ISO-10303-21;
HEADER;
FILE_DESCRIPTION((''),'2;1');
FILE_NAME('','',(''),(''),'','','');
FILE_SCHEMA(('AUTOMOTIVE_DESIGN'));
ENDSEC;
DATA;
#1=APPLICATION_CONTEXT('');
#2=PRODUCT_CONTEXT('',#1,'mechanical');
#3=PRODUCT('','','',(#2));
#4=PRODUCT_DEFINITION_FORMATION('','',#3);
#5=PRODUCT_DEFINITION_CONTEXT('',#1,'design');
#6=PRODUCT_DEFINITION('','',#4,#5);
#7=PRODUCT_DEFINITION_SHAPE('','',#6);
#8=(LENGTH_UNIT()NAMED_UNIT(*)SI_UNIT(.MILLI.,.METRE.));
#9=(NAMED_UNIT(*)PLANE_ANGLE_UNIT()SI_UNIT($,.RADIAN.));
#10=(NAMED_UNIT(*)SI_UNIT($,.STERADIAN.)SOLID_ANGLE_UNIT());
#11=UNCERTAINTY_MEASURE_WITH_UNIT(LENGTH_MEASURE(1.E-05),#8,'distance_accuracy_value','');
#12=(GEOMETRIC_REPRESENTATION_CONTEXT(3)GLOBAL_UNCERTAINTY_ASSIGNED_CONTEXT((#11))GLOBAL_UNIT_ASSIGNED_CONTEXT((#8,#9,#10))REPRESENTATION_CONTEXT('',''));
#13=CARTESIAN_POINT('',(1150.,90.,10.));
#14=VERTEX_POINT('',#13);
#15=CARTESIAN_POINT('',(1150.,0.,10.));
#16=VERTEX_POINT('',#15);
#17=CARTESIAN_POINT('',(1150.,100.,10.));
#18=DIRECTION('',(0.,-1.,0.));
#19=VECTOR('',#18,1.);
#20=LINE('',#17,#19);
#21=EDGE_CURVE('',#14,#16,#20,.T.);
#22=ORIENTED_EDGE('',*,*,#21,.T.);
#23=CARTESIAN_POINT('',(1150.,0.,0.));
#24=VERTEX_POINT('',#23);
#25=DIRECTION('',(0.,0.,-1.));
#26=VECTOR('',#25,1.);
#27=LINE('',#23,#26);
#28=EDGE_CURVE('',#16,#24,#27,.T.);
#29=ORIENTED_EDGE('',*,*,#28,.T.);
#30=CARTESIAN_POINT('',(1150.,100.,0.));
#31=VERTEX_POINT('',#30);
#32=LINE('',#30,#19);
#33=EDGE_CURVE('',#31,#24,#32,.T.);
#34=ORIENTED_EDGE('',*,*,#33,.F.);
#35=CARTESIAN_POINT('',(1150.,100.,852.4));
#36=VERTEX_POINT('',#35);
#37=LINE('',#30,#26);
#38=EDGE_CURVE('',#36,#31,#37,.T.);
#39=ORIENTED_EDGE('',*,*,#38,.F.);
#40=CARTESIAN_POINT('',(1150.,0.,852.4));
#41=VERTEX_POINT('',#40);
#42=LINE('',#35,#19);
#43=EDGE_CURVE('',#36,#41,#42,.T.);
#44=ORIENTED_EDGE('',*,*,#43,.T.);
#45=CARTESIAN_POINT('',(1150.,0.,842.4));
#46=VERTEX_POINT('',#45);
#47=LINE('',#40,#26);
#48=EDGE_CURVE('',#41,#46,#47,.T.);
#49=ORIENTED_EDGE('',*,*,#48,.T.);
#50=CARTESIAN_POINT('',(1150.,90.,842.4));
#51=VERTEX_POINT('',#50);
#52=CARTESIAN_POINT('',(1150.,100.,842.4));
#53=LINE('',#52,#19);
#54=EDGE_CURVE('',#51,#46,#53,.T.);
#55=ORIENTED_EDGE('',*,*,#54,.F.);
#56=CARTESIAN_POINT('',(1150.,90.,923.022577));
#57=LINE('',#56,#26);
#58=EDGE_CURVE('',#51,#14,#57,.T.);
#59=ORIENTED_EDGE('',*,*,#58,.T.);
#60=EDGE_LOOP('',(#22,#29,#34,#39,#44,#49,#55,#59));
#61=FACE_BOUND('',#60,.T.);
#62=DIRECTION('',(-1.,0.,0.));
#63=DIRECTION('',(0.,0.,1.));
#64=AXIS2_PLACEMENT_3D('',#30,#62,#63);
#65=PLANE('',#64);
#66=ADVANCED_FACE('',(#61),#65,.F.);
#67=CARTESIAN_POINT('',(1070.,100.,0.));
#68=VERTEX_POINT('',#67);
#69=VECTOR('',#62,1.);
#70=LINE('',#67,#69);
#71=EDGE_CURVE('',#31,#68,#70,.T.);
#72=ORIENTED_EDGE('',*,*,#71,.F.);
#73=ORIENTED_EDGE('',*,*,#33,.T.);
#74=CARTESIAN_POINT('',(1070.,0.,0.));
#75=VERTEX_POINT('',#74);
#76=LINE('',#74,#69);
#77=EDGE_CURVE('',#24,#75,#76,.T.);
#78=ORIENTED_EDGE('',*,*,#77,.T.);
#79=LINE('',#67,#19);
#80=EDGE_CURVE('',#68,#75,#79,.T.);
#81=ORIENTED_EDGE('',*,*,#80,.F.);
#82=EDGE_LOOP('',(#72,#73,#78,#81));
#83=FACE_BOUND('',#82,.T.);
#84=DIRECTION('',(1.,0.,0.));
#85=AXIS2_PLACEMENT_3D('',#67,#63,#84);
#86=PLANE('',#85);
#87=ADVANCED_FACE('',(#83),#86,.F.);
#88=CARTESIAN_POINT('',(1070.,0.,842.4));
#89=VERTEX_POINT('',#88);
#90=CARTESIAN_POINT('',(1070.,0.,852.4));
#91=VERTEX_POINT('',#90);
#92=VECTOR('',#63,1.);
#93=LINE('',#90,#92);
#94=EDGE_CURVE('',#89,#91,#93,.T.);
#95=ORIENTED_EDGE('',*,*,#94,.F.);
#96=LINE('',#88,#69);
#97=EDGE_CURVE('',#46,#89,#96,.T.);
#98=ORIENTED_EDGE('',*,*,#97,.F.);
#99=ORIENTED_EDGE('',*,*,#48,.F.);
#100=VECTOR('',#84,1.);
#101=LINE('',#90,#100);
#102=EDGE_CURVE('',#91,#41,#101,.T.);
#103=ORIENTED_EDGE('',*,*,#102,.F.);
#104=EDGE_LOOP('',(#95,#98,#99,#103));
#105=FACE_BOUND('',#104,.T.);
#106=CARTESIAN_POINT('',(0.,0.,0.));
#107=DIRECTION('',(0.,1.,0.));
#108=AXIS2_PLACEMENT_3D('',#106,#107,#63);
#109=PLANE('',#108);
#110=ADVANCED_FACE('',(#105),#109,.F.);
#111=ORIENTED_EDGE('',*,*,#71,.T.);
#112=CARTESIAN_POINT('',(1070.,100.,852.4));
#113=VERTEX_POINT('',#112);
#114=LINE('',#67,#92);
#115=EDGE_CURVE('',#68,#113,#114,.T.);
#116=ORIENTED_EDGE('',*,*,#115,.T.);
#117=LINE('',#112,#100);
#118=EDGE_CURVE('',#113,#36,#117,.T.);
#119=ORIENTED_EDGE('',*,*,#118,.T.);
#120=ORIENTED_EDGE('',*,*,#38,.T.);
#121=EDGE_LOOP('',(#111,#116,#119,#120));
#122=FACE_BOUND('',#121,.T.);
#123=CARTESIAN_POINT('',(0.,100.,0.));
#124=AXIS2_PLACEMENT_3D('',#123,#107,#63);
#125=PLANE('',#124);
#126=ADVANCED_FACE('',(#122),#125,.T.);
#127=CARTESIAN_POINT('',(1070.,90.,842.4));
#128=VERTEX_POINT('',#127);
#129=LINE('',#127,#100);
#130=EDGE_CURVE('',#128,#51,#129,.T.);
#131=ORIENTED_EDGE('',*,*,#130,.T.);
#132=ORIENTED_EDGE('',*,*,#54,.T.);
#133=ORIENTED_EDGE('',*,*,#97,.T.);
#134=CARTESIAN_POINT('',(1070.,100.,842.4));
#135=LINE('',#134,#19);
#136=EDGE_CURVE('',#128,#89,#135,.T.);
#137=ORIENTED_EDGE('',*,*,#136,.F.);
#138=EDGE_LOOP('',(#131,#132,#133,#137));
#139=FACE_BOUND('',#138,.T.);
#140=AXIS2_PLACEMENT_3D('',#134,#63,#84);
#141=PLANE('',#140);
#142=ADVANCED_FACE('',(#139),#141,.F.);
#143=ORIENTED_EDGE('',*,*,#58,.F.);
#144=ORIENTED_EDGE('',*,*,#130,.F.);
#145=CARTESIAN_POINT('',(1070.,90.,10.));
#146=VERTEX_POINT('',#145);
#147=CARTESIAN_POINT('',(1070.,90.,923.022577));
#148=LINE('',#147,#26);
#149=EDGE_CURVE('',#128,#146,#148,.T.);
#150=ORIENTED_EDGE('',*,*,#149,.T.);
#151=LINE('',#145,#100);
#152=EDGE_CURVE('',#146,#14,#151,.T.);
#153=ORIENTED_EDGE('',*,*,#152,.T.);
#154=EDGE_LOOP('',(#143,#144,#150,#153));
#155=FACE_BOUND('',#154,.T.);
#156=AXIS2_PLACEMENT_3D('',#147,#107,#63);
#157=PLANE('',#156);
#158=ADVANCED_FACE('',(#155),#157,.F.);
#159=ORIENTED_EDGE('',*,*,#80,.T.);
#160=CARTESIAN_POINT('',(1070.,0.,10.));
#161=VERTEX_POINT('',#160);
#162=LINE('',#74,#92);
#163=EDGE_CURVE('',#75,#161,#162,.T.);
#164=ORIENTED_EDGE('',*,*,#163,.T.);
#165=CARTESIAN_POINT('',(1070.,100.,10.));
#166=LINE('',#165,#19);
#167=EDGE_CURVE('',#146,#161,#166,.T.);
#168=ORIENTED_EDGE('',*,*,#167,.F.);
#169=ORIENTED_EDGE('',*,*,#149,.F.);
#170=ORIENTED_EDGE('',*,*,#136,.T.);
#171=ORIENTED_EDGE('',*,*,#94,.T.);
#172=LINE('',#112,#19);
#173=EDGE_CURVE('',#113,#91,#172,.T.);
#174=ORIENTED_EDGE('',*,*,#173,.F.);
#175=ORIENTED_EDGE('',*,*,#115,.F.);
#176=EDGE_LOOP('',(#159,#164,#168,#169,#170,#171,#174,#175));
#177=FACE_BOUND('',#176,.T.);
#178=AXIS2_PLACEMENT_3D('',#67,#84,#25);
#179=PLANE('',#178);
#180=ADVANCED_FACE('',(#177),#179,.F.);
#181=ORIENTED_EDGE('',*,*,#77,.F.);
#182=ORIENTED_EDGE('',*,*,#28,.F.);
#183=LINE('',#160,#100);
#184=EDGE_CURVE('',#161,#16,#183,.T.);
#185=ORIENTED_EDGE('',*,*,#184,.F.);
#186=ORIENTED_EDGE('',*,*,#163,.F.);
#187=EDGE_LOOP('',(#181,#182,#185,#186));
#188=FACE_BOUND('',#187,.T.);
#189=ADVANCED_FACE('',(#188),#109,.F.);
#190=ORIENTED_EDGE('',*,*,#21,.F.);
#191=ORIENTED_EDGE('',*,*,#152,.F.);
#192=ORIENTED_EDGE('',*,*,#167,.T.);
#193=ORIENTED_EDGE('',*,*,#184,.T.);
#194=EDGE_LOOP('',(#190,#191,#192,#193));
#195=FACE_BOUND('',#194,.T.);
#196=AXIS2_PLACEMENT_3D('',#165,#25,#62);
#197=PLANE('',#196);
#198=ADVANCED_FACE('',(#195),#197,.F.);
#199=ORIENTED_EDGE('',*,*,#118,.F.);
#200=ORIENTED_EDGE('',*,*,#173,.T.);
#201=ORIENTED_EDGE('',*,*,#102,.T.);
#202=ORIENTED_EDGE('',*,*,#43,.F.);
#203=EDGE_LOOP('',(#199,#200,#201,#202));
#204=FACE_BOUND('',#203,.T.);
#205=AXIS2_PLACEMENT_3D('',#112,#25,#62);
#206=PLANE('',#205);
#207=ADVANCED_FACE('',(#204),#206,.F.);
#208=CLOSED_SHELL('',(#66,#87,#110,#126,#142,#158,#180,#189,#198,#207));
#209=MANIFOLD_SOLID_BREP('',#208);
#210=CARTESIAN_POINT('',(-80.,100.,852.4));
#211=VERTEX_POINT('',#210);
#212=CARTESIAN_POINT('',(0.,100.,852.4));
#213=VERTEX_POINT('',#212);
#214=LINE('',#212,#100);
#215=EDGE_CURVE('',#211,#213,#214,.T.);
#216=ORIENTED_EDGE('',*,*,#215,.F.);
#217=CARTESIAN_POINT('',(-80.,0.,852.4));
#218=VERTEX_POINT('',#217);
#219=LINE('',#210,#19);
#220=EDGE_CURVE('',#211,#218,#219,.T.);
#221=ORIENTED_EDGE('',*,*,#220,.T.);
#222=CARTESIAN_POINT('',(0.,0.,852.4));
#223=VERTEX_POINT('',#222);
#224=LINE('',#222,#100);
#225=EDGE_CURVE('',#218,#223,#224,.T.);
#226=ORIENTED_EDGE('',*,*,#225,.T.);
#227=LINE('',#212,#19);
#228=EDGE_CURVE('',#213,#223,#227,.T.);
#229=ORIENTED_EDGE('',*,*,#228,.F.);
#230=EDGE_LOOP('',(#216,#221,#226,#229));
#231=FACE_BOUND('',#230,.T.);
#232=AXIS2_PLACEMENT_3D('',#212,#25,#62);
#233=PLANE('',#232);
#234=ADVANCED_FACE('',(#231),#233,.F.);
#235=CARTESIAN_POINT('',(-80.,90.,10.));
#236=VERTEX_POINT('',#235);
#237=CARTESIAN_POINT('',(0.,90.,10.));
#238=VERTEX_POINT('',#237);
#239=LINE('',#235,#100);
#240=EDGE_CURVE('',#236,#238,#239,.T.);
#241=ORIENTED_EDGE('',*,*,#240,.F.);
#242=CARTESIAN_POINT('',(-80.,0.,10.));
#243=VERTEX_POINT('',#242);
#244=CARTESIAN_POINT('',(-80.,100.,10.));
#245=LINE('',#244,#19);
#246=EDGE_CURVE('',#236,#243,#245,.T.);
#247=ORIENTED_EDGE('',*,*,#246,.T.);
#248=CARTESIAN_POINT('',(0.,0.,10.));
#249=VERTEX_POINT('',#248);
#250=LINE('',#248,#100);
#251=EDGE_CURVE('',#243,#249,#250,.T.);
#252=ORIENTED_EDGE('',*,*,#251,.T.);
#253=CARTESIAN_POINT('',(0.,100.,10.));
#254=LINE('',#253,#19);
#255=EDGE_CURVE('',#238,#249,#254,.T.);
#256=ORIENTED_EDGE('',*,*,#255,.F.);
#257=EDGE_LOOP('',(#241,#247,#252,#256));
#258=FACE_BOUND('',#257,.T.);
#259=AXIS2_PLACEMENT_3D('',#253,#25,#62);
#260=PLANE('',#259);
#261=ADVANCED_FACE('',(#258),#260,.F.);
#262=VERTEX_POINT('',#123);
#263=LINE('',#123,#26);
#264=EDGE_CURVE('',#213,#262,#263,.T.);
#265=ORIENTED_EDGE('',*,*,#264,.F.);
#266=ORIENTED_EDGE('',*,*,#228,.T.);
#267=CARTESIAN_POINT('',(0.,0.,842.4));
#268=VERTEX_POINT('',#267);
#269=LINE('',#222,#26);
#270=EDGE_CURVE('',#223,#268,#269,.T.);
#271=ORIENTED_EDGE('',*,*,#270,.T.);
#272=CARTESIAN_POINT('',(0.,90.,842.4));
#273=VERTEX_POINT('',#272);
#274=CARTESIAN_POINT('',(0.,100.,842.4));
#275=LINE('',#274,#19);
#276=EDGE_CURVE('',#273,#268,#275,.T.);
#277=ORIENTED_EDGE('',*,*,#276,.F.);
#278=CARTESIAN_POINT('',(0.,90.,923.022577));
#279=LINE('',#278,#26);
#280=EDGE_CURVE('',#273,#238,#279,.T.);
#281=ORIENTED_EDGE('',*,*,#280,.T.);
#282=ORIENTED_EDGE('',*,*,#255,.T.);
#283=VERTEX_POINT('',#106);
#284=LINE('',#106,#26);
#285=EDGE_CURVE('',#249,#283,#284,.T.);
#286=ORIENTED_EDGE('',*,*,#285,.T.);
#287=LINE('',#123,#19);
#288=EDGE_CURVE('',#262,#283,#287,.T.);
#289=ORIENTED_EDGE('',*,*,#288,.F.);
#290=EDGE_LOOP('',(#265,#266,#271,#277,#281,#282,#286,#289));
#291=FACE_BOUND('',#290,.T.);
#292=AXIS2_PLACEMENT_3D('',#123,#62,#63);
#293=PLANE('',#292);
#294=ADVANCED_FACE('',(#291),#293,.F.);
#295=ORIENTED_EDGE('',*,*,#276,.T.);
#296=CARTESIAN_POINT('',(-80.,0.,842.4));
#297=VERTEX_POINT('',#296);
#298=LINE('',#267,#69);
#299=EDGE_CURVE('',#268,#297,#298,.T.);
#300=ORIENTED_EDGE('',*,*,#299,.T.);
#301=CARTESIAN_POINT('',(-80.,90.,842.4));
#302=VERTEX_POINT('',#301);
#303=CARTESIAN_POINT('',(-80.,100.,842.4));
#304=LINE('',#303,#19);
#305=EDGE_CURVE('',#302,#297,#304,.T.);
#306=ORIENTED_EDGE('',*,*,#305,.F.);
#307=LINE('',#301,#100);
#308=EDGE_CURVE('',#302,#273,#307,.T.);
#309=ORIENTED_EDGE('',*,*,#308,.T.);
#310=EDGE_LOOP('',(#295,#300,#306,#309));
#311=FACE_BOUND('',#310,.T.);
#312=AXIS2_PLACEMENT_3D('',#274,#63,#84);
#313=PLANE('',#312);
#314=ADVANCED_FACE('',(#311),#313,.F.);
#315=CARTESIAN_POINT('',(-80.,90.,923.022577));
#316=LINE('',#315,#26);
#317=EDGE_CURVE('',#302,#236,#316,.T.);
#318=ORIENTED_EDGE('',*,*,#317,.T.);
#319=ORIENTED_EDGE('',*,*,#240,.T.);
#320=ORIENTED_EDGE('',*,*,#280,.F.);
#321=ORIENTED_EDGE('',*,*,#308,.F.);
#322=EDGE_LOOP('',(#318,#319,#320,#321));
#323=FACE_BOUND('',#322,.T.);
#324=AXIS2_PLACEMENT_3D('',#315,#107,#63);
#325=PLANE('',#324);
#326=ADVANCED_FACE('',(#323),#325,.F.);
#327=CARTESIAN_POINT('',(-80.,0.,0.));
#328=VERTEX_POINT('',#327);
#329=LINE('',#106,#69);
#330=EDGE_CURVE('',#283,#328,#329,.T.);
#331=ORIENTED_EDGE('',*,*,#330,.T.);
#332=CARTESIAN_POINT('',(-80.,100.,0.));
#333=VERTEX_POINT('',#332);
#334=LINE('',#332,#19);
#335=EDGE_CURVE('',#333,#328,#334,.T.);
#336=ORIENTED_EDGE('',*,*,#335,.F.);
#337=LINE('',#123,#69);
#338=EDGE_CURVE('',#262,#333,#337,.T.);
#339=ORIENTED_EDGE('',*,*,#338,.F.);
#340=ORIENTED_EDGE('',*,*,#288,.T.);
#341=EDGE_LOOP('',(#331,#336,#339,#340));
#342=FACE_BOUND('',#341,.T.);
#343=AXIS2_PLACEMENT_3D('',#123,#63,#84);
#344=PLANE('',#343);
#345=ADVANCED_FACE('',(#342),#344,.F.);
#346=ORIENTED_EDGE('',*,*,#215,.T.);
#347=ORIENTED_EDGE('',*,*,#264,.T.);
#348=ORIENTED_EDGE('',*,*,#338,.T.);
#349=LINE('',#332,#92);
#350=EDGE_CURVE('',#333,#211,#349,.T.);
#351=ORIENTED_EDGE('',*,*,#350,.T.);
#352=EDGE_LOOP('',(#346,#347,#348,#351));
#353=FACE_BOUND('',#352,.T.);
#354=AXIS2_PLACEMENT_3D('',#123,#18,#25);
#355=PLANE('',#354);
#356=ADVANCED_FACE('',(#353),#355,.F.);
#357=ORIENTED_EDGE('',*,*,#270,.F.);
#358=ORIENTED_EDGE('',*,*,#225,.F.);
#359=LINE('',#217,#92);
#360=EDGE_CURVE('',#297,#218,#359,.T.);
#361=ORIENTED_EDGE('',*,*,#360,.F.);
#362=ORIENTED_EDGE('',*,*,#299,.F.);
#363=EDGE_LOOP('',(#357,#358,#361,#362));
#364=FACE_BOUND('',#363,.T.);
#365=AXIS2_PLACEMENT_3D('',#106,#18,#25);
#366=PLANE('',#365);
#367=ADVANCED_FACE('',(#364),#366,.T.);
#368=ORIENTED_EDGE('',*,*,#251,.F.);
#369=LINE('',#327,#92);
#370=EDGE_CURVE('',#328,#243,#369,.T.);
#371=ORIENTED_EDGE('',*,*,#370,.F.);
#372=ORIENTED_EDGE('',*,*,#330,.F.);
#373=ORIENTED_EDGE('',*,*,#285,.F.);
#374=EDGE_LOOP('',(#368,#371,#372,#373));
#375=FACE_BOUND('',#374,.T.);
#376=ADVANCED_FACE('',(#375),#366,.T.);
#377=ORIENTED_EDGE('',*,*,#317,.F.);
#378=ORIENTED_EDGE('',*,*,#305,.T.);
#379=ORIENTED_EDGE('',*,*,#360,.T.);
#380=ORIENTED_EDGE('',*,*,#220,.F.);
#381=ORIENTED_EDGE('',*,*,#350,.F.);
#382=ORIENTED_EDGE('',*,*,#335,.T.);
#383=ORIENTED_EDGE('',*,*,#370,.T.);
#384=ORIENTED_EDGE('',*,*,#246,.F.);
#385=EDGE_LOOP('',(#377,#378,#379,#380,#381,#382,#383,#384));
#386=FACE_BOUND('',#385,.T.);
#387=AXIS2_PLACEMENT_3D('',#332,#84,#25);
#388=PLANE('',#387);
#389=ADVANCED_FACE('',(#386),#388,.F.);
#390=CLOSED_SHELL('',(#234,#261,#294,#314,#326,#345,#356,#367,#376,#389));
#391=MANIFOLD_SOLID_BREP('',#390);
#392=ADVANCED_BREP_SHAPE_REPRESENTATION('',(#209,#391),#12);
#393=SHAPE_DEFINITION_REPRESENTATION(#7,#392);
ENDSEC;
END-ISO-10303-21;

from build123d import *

# Parameters (mm, degrees)
CROQUIS1_W                = 80
CROQUIS1_H                = 10
SALIENTE_EXTRUIR1_DEPTH   = 100
SALIENTE_EXTRUIR1_2_DEPTH = 100
SALIENTE_EXTRUIR1_3_DEPTH = 100
SALIENTE_EXTRUIR1_4_DEPTH = 100
CROQUIS2_W                = 80
CROQUIS2_H                = 10
SALIENTE_EXTRUIR2_DEPTH   = 832.4


with BuildPart() as part:
    # Croquis1 → Saliente-Extruir1 (new body)
    with BuildSketch(Plane(origin=(0, 0, 0), x_dir=(1, 0, 0), z_dir=(0, 1, 0))):
        with Locations((-40, -5)):
            Rectangle(CROQUIS1_W, CROQUIS1_H)
    extrude(amount=SALIENTE_EXTRUIR1_DEPTH)



with BuildPart() as body_2:
    # Croquis1 → Saliente-Extruir1 2 (new body)
    with BuildSketch(Plane(origin=(0, 0, 0), x_dir=(1, 0, 0), z_dir=(0, 1, 0))):
        with Locations((1110, -5)):
            Rectangle(CROQUIS1_W, CROQUIS1_H)
    extrude(amount=SALIENTE_EXTRUIR1_2_DEPTH)


with BuildPart() as body_3:
    # Croquis1 → Saliente-Extruir1 3 (new body)
    with BuildSketch(Plane(origin=(0, 0, 0), x_dir=(1, 0, 0), z_dir=(0, 1, 0))):
        with Locations((1110, -847.4)):
            Rectangle(CROQUIS1_W, CROQUIS1_H)
    extrude(amount=SALIENTE_EXTRUIR1_3_DEPTH)


with BuildPart() as body_4:
    # Croquis1 → Saliente-Extruir1 4 (new body)
    with BuildSketch(Plane(origin=(0, 0, 0), x_dir=(1, 0, 0), z_dir=(0, 1, 0))):
        with Locations((-40, -847.4)):
            Rectangle(CROQUIS1_W, CROQUIS1_H)
    extrude(amount=SALIENTE_EXTRUIR1_4_DEPTH)


with BuildPart() as part_1:
    add(part.part)

    add(body_2.part)  # Saliente-Extruir2 merges body 2

    add(body_3.part)  # Saliente-Extruir2 merges body 3

    add(body_4.part)  # Saliente-Extruir2 merges body 4
    # Croquis2 → Saliente-Extruir2 (add)
    with BuildSketch(Plane.XY.offset(10)):
        with Locations((-40, 95)):
            Rectangle(CROQUIS2_W, CROQUIS2_H)
        with Locations((1110, 95)):
            Rectangle(CROQUIS2_W, CROQUIS2_H)
    extrude(amount=SALIENTE_EXTRUIR2_DEPTH)


solid = part_1.part
